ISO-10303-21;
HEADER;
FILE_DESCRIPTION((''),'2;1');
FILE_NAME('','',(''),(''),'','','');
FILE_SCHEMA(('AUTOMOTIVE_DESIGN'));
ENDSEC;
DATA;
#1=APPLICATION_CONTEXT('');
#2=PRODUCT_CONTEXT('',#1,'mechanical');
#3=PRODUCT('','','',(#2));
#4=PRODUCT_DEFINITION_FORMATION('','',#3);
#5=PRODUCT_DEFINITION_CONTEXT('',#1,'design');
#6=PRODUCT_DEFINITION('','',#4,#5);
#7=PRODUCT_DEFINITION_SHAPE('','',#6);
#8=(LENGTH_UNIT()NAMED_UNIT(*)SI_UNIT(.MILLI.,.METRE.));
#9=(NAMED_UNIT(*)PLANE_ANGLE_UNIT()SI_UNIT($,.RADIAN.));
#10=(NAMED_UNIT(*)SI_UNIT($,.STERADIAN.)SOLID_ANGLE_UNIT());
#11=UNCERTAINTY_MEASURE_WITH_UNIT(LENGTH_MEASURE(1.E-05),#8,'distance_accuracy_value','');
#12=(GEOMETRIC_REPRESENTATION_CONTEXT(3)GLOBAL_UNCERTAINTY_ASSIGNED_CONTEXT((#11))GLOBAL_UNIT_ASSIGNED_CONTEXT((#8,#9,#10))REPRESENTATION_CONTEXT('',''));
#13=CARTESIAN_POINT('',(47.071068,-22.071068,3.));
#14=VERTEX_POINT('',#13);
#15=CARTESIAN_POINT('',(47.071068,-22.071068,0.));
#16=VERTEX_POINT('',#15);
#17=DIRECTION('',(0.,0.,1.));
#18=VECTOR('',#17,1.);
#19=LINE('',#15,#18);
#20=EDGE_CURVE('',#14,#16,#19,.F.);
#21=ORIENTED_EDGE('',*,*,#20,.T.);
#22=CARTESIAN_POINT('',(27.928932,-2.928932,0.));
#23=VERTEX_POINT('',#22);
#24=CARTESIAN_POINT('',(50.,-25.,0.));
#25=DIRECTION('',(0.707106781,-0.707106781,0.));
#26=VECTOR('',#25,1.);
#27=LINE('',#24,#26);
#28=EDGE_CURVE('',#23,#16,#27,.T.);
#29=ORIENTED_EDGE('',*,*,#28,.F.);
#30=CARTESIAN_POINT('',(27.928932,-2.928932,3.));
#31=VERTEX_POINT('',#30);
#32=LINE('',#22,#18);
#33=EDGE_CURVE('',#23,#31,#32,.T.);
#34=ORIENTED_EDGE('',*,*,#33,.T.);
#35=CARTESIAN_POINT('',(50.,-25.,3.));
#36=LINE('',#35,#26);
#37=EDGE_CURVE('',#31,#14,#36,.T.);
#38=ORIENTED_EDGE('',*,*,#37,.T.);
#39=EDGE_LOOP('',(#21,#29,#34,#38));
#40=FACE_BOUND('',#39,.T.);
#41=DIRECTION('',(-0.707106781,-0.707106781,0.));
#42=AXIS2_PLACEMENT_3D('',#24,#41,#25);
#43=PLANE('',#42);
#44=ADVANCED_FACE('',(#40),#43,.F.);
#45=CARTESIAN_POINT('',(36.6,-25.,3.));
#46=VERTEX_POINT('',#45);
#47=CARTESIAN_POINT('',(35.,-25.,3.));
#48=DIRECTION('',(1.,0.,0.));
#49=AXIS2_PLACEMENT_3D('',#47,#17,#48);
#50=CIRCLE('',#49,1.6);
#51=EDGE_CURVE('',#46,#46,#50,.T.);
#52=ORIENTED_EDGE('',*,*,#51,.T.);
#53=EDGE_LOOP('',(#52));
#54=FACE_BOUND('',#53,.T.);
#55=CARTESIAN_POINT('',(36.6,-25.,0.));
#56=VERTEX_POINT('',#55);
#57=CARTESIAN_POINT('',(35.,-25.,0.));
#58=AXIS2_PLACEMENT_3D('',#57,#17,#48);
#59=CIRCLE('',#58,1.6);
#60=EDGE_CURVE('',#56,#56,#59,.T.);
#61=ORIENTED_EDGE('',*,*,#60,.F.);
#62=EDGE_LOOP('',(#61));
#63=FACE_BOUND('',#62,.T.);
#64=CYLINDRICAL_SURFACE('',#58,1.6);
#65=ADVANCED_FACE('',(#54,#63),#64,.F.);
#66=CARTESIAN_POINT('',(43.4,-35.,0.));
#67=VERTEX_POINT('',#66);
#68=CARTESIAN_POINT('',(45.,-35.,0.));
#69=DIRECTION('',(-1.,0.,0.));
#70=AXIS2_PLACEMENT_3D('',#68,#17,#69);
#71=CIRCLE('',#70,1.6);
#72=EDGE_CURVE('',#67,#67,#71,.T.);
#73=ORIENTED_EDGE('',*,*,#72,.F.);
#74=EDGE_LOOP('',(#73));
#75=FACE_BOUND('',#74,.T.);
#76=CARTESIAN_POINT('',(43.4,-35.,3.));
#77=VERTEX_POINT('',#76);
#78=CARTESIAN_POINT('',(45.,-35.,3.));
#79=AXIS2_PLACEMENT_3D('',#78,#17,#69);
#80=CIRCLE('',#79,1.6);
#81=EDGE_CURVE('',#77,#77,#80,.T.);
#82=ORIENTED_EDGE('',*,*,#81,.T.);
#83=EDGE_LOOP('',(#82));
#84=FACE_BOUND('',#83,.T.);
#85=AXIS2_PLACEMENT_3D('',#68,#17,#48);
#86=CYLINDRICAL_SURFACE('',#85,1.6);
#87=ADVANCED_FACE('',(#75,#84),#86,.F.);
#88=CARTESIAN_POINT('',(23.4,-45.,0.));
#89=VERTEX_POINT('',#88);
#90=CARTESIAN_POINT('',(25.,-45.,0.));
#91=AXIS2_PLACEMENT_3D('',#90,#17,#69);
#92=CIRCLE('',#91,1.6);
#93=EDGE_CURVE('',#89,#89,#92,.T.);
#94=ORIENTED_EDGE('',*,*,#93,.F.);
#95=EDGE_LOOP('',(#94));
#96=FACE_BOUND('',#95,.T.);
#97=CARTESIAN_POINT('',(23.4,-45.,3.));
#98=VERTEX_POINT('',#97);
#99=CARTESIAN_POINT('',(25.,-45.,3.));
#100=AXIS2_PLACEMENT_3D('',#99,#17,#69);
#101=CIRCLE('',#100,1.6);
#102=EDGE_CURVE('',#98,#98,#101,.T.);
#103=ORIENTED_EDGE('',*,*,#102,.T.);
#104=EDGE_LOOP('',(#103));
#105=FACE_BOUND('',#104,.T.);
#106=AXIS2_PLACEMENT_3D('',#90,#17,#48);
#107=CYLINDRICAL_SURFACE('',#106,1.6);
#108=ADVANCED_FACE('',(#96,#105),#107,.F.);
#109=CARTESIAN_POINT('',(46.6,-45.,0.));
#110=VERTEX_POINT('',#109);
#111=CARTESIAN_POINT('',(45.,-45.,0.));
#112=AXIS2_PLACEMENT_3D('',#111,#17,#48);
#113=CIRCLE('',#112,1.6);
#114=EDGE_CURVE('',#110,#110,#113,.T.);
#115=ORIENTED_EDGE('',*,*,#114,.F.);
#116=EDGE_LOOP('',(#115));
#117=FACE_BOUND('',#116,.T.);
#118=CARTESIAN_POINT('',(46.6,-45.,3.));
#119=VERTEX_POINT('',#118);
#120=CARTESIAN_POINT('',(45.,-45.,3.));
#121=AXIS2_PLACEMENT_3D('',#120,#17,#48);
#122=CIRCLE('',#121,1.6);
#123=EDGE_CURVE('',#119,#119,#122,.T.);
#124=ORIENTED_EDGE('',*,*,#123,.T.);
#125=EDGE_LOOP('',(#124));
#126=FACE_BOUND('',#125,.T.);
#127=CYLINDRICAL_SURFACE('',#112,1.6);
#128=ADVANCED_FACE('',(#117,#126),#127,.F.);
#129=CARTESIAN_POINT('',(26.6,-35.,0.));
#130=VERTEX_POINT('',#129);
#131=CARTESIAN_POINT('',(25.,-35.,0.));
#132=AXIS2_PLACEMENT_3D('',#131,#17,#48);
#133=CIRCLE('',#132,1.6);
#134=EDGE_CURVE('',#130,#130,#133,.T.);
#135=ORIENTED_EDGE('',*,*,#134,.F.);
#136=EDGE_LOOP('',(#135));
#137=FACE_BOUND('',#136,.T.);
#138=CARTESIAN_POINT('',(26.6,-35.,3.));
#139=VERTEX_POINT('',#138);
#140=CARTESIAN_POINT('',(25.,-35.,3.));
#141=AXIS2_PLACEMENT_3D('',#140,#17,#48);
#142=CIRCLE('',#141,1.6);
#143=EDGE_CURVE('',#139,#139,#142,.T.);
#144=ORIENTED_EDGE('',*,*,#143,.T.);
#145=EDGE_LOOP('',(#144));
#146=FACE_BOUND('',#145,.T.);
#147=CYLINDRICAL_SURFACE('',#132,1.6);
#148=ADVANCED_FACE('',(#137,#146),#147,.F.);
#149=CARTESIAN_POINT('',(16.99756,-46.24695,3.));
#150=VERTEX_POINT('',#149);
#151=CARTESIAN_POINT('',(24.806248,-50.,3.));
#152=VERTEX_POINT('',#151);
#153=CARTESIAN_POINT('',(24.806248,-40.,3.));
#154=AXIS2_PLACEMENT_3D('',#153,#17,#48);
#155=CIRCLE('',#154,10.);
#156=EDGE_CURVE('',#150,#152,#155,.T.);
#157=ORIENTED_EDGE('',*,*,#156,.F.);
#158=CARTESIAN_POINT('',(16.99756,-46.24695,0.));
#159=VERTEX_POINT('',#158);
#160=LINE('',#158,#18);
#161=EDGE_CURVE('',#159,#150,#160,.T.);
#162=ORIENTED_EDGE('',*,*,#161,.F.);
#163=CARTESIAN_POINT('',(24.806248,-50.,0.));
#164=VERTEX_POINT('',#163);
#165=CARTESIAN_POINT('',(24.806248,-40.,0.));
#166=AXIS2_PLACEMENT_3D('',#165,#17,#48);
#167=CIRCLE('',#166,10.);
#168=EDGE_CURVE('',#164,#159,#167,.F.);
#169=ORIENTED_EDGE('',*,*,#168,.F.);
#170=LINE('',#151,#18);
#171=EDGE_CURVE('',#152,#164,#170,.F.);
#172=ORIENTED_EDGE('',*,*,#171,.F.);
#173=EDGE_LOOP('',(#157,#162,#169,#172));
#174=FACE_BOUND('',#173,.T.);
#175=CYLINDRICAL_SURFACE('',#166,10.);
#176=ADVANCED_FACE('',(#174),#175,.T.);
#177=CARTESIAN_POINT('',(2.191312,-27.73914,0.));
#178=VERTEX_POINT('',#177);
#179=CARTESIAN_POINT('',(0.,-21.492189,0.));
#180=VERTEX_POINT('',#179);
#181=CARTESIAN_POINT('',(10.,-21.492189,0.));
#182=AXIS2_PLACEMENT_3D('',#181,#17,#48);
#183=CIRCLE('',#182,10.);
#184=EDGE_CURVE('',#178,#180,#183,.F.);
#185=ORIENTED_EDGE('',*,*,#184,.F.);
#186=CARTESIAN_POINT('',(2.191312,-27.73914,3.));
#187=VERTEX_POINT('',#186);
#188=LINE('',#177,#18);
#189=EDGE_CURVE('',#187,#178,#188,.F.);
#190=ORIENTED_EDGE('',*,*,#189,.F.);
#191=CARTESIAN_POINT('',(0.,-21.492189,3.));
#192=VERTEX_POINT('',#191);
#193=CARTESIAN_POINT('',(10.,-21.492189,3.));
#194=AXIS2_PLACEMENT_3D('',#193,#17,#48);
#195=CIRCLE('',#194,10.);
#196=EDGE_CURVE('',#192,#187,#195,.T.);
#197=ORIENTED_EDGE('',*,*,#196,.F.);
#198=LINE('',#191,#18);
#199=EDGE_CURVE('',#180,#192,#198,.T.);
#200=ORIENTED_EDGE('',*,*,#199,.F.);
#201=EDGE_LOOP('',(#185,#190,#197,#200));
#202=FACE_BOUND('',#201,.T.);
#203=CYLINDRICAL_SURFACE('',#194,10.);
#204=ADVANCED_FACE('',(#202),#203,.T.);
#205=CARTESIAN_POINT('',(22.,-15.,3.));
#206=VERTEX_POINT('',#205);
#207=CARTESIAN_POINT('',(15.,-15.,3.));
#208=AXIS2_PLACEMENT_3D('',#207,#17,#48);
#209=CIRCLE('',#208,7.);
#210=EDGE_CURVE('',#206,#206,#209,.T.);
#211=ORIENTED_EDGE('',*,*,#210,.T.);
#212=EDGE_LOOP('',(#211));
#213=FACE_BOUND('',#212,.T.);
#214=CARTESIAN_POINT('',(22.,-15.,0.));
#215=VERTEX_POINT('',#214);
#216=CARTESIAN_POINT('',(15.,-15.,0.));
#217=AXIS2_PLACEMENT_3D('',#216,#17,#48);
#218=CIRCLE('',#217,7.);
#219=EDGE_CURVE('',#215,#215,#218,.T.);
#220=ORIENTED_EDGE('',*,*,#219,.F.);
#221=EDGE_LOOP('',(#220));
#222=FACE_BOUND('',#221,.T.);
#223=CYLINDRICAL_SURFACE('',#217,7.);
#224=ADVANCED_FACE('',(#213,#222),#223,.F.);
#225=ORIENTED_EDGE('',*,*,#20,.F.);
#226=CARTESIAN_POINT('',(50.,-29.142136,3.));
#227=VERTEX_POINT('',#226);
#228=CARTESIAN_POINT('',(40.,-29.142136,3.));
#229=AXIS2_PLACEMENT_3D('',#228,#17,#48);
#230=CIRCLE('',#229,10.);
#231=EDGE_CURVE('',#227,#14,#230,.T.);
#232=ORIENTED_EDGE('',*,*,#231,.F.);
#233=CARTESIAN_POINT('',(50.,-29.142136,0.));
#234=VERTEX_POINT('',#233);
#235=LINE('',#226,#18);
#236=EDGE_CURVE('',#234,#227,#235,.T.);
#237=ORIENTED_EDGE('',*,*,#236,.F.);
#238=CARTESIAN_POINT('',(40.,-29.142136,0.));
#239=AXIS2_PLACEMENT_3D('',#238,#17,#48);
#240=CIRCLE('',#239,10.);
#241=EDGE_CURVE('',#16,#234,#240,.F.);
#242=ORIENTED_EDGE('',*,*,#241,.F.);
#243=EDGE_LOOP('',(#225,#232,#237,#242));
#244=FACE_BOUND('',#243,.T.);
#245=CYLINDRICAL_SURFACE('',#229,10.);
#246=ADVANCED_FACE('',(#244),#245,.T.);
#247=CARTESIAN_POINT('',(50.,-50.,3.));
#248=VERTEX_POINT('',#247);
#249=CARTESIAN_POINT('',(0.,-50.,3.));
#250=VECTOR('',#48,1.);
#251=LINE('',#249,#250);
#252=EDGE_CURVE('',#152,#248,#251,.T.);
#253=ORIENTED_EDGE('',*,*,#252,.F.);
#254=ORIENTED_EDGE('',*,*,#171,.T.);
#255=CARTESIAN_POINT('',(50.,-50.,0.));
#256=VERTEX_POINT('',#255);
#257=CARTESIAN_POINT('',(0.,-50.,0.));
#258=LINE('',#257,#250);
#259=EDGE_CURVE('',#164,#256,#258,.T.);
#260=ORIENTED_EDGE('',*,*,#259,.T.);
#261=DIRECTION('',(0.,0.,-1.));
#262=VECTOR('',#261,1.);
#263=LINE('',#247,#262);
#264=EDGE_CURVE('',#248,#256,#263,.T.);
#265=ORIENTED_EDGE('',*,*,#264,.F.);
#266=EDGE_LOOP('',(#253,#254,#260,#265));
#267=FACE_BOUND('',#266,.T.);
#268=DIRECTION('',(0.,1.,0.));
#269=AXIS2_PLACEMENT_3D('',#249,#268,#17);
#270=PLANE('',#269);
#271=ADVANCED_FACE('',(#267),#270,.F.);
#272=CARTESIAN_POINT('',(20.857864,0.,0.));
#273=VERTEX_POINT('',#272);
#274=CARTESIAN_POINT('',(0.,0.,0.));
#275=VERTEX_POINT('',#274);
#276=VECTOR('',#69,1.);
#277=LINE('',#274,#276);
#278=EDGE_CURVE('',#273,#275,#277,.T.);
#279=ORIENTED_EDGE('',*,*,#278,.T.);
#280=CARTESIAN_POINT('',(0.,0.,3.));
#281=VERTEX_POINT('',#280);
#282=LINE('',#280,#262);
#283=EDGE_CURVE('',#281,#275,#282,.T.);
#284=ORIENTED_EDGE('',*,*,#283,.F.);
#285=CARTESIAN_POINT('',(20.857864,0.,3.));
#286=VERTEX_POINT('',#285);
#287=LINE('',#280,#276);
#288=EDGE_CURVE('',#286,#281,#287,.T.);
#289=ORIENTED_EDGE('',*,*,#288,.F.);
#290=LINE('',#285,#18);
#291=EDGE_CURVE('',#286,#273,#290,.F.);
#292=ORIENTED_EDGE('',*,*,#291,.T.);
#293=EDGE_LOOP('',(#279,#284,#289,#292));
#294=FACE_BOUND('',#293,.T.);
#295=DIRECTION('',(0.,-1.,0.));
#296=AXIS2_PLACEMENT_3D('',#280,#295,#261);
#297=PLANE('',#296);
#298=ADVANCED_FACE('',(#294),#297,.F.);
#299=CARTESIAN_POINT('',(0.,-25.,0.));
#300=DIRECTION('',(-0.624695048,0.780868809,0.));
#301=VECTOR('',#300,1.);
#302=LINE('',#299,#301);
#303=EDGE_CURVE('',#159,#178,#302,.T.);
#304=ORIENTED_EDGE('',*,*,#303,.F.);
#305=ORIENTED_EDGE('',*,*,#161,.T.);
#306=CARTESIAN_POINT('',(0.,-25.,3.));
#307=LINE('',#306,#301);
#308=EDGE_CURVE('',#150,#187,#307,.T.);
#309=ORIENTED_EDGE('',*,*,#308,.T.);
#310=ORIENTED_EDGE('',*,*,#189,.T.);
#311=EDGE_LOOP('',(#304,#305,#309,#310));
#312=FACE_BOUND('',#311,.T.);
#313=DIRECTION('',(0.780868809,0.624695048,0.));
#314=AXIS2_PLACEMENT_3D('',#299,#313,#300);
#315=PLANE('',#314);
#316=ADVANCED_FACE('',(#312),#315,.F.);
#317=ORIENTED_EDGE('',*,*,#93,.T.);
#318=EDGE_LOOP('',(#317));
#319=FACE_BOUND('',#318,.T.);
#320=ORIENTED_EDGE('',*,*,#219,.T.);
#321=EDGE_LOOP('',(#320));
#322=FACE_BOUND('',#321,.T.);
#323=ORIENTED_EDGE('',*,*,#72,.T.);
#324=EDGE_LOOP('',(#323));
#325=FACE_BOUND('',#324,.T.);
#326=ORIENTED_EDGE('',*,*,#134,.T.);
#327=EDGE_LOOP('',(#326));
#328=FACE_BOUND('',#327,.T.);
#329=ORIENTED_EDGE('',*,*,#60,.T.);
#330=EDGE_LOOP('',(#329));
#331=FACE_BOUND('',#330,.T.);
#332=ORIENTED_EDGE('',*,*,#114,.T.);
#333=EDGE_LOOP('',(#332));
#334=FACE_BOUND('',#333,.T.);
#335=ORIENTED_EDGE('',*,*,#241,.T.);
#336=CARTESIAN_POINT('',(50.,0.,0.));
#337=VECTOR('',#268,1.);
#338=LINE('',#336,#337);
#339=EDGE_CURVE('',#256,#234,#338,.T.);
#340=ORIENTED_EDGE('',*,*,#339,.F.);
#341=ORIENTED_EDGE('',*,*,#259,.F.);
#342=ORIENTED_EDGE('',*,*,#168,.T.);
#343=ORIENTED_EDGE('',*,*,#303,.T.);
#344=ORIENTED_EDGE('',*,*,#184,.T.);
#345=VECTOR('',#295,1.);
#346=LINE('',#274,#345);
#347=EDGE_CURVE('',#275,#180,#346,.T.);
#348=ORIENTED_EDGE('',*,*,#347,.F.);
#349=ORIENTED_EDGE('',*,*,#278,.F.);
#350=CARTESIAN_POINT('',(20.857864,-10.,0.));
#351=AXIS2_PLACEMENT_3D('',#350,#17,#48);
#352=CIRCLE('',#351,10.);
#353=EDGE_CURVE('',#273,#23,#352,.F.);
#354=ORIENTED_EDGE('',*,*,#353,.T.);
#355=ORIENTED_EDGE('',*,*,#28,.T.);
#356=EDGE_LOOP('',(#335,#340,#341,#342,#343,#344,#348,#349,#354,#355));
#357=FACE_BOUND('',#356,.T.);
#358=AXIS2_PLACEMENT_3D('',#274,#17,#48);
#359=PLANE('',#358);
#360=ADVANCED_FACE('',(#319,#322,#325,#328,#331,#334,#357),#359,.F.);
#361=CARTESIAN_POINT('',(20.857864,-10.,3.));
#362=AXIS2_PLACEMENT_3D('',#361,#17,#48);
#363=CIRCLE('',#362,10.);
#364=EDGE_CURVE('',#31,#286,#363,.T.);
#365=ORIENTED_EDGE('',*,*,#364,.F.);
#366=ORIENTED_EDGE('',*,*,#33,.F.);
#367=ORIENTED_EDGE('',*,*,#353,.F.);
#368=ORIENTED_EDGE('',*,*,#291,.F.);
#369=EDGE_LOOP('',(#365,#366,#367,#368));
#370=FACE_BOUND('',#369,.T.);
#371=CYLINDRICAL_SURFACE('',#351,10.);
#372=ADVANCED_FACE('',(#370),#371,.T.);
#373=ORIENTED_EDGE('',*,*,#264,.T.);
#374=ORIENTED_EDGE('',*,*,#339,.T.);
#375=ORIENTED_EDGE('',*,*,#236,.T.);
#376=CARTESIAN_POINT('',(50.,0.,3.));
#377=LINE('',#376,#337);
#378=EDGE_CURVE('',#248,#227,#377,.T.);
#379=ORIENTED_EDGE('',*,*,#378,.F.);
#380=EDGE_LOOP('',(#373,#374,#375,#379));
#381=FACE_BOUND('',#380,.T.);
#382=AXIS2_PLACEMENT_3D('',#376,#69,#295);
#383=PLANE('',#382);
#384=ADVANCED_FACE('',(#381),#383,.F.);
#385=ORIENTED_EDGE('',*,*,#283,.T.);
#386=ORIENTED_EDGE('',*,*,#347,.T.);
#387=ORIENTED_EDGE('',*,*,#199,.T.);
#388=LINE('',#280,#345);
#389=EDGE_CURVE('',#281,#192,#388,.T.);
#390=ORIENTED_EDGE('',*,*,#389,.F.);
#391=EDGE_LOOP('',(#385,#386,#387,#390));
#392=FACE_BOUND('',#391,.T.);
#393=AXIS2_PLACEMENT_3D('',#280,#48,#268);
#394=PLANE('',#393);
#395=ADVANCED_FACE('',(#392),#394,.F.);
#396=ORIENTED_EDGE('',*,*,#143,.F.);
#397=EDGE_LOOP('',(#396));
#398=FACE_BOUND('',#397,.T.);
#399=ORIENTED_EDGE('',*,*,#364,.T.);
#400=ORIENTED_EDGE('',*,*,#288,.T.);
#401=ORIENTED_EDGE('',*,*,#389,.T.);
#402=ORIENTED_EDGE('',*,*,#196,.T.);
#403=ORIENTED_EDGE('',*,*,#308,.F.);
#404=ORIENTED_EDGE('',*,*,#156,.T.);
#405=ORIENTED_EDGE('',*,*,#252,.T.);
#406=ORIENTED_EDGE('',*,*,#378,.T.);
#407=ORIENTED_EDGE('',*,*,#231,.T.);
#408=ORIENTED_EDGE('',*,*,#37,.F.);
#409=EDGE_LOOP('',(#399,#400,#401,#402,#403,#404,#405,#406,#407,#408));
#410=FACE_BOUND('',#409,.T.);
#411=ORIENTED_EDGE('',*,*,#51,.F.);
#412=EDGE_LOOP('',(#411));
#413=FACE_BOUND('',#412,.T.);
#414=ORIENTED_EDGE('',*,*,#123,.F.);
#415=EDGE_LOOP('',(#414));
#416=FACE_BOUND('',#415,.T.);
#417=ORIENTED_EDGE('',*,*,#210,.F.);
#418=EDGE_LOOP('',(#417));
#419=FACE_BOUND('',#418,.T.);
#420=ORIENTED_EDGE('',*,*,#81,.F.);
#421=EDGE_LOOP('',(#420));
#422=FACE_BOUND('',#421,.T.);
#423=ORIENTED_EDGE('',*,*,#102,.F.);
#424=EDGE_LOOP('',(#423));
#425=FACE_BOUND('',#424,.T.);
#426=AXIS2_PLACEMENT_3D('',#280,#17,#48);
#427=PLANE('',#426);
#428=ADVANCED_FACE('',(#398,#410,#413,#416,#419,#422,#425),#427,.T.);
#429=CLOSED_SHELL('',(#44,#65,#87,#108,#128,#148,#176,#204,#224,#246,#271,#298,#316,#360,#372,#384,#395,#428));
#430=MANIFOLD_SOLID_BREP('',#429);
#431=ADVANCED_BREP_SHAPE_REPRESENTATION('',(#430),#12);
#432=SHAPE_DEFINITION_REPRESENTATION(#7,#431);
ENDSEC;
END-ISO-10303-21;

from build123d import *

# Parameters (mm, degrees)
SKETCH_1_W          = 50
SKETCH_1_H          = 50
EXTRUDE_1_DEPTH     = 3
SKETCH_2_R          = 7
SKETCH_2_R_2        = 1.6
CUT_EXTRUDE_1_DEPTH = 71.774289117
CUT_EXTRUDE_2_DEPTH = 71.774289117
FILLET_1_R          = 10


with BuildPart() as part:
    # 草图1 → 凸台-拉伸1 (new body)
    with BuildSketch(Plane.XY):
        with Locations((25, -25)):
            Rectangle(SKETCH_1_W, SKETCH_1_H)
    extrude(amount=EXTRUDE_1_DEPTH)

    # 草图2 → 切除-拉伸1 (cut, through all)
    with BuildSketch(Plane.XY.offset(3)):
        with Locations((15, -15)):
            Circle(SKETCH_2_R)
        with Locations((45, -45)):
            Circle(SKETCH_2_R_2)
        with Locations(Location((45, -35, 0), (0, 0, 180))):
            Circle(SKETCH_2_R_2)
        with Locations((25, -35)):
            Circle(SKETCH_2_R_2)
        with Locations(Location((25, -45, 0), (0, 0, 180))):
            Circle(SKETCH_2_R_2)
        with Locations((35, -25)):
            Circle(SKETCH_2_R_2)
    extrude(amount=-CUT_EXTRUDE_1_DEPTH, mode=Mode.SUBTRACT)

    # 草图3 → 切除-拉伸2 (cut, through all)
    with BuildSketch(Plane.XY.offset(3)):
        Polygon((0, -25), (20, -50), (0, -50), align=None)
        Polygon((25, 0), (50, 0), (50, -25), align=None)
    extrude(amount=-CUT_EXTRUDE_2_DEPTH, mode=Mode.SUBTRACT)

    # 圆角1
    fillet_1_edges = [part.edges().sort_by_distance(p)[0] for p in [
        (0, -25, 1.5),
        (20, -50, 1.5),
        (50, -25, 1.5),
        (25, 0, 1.5),
    ]]
    fillet(fillet_1_edges, radius=FILLET_1_R)


solid = part.part
